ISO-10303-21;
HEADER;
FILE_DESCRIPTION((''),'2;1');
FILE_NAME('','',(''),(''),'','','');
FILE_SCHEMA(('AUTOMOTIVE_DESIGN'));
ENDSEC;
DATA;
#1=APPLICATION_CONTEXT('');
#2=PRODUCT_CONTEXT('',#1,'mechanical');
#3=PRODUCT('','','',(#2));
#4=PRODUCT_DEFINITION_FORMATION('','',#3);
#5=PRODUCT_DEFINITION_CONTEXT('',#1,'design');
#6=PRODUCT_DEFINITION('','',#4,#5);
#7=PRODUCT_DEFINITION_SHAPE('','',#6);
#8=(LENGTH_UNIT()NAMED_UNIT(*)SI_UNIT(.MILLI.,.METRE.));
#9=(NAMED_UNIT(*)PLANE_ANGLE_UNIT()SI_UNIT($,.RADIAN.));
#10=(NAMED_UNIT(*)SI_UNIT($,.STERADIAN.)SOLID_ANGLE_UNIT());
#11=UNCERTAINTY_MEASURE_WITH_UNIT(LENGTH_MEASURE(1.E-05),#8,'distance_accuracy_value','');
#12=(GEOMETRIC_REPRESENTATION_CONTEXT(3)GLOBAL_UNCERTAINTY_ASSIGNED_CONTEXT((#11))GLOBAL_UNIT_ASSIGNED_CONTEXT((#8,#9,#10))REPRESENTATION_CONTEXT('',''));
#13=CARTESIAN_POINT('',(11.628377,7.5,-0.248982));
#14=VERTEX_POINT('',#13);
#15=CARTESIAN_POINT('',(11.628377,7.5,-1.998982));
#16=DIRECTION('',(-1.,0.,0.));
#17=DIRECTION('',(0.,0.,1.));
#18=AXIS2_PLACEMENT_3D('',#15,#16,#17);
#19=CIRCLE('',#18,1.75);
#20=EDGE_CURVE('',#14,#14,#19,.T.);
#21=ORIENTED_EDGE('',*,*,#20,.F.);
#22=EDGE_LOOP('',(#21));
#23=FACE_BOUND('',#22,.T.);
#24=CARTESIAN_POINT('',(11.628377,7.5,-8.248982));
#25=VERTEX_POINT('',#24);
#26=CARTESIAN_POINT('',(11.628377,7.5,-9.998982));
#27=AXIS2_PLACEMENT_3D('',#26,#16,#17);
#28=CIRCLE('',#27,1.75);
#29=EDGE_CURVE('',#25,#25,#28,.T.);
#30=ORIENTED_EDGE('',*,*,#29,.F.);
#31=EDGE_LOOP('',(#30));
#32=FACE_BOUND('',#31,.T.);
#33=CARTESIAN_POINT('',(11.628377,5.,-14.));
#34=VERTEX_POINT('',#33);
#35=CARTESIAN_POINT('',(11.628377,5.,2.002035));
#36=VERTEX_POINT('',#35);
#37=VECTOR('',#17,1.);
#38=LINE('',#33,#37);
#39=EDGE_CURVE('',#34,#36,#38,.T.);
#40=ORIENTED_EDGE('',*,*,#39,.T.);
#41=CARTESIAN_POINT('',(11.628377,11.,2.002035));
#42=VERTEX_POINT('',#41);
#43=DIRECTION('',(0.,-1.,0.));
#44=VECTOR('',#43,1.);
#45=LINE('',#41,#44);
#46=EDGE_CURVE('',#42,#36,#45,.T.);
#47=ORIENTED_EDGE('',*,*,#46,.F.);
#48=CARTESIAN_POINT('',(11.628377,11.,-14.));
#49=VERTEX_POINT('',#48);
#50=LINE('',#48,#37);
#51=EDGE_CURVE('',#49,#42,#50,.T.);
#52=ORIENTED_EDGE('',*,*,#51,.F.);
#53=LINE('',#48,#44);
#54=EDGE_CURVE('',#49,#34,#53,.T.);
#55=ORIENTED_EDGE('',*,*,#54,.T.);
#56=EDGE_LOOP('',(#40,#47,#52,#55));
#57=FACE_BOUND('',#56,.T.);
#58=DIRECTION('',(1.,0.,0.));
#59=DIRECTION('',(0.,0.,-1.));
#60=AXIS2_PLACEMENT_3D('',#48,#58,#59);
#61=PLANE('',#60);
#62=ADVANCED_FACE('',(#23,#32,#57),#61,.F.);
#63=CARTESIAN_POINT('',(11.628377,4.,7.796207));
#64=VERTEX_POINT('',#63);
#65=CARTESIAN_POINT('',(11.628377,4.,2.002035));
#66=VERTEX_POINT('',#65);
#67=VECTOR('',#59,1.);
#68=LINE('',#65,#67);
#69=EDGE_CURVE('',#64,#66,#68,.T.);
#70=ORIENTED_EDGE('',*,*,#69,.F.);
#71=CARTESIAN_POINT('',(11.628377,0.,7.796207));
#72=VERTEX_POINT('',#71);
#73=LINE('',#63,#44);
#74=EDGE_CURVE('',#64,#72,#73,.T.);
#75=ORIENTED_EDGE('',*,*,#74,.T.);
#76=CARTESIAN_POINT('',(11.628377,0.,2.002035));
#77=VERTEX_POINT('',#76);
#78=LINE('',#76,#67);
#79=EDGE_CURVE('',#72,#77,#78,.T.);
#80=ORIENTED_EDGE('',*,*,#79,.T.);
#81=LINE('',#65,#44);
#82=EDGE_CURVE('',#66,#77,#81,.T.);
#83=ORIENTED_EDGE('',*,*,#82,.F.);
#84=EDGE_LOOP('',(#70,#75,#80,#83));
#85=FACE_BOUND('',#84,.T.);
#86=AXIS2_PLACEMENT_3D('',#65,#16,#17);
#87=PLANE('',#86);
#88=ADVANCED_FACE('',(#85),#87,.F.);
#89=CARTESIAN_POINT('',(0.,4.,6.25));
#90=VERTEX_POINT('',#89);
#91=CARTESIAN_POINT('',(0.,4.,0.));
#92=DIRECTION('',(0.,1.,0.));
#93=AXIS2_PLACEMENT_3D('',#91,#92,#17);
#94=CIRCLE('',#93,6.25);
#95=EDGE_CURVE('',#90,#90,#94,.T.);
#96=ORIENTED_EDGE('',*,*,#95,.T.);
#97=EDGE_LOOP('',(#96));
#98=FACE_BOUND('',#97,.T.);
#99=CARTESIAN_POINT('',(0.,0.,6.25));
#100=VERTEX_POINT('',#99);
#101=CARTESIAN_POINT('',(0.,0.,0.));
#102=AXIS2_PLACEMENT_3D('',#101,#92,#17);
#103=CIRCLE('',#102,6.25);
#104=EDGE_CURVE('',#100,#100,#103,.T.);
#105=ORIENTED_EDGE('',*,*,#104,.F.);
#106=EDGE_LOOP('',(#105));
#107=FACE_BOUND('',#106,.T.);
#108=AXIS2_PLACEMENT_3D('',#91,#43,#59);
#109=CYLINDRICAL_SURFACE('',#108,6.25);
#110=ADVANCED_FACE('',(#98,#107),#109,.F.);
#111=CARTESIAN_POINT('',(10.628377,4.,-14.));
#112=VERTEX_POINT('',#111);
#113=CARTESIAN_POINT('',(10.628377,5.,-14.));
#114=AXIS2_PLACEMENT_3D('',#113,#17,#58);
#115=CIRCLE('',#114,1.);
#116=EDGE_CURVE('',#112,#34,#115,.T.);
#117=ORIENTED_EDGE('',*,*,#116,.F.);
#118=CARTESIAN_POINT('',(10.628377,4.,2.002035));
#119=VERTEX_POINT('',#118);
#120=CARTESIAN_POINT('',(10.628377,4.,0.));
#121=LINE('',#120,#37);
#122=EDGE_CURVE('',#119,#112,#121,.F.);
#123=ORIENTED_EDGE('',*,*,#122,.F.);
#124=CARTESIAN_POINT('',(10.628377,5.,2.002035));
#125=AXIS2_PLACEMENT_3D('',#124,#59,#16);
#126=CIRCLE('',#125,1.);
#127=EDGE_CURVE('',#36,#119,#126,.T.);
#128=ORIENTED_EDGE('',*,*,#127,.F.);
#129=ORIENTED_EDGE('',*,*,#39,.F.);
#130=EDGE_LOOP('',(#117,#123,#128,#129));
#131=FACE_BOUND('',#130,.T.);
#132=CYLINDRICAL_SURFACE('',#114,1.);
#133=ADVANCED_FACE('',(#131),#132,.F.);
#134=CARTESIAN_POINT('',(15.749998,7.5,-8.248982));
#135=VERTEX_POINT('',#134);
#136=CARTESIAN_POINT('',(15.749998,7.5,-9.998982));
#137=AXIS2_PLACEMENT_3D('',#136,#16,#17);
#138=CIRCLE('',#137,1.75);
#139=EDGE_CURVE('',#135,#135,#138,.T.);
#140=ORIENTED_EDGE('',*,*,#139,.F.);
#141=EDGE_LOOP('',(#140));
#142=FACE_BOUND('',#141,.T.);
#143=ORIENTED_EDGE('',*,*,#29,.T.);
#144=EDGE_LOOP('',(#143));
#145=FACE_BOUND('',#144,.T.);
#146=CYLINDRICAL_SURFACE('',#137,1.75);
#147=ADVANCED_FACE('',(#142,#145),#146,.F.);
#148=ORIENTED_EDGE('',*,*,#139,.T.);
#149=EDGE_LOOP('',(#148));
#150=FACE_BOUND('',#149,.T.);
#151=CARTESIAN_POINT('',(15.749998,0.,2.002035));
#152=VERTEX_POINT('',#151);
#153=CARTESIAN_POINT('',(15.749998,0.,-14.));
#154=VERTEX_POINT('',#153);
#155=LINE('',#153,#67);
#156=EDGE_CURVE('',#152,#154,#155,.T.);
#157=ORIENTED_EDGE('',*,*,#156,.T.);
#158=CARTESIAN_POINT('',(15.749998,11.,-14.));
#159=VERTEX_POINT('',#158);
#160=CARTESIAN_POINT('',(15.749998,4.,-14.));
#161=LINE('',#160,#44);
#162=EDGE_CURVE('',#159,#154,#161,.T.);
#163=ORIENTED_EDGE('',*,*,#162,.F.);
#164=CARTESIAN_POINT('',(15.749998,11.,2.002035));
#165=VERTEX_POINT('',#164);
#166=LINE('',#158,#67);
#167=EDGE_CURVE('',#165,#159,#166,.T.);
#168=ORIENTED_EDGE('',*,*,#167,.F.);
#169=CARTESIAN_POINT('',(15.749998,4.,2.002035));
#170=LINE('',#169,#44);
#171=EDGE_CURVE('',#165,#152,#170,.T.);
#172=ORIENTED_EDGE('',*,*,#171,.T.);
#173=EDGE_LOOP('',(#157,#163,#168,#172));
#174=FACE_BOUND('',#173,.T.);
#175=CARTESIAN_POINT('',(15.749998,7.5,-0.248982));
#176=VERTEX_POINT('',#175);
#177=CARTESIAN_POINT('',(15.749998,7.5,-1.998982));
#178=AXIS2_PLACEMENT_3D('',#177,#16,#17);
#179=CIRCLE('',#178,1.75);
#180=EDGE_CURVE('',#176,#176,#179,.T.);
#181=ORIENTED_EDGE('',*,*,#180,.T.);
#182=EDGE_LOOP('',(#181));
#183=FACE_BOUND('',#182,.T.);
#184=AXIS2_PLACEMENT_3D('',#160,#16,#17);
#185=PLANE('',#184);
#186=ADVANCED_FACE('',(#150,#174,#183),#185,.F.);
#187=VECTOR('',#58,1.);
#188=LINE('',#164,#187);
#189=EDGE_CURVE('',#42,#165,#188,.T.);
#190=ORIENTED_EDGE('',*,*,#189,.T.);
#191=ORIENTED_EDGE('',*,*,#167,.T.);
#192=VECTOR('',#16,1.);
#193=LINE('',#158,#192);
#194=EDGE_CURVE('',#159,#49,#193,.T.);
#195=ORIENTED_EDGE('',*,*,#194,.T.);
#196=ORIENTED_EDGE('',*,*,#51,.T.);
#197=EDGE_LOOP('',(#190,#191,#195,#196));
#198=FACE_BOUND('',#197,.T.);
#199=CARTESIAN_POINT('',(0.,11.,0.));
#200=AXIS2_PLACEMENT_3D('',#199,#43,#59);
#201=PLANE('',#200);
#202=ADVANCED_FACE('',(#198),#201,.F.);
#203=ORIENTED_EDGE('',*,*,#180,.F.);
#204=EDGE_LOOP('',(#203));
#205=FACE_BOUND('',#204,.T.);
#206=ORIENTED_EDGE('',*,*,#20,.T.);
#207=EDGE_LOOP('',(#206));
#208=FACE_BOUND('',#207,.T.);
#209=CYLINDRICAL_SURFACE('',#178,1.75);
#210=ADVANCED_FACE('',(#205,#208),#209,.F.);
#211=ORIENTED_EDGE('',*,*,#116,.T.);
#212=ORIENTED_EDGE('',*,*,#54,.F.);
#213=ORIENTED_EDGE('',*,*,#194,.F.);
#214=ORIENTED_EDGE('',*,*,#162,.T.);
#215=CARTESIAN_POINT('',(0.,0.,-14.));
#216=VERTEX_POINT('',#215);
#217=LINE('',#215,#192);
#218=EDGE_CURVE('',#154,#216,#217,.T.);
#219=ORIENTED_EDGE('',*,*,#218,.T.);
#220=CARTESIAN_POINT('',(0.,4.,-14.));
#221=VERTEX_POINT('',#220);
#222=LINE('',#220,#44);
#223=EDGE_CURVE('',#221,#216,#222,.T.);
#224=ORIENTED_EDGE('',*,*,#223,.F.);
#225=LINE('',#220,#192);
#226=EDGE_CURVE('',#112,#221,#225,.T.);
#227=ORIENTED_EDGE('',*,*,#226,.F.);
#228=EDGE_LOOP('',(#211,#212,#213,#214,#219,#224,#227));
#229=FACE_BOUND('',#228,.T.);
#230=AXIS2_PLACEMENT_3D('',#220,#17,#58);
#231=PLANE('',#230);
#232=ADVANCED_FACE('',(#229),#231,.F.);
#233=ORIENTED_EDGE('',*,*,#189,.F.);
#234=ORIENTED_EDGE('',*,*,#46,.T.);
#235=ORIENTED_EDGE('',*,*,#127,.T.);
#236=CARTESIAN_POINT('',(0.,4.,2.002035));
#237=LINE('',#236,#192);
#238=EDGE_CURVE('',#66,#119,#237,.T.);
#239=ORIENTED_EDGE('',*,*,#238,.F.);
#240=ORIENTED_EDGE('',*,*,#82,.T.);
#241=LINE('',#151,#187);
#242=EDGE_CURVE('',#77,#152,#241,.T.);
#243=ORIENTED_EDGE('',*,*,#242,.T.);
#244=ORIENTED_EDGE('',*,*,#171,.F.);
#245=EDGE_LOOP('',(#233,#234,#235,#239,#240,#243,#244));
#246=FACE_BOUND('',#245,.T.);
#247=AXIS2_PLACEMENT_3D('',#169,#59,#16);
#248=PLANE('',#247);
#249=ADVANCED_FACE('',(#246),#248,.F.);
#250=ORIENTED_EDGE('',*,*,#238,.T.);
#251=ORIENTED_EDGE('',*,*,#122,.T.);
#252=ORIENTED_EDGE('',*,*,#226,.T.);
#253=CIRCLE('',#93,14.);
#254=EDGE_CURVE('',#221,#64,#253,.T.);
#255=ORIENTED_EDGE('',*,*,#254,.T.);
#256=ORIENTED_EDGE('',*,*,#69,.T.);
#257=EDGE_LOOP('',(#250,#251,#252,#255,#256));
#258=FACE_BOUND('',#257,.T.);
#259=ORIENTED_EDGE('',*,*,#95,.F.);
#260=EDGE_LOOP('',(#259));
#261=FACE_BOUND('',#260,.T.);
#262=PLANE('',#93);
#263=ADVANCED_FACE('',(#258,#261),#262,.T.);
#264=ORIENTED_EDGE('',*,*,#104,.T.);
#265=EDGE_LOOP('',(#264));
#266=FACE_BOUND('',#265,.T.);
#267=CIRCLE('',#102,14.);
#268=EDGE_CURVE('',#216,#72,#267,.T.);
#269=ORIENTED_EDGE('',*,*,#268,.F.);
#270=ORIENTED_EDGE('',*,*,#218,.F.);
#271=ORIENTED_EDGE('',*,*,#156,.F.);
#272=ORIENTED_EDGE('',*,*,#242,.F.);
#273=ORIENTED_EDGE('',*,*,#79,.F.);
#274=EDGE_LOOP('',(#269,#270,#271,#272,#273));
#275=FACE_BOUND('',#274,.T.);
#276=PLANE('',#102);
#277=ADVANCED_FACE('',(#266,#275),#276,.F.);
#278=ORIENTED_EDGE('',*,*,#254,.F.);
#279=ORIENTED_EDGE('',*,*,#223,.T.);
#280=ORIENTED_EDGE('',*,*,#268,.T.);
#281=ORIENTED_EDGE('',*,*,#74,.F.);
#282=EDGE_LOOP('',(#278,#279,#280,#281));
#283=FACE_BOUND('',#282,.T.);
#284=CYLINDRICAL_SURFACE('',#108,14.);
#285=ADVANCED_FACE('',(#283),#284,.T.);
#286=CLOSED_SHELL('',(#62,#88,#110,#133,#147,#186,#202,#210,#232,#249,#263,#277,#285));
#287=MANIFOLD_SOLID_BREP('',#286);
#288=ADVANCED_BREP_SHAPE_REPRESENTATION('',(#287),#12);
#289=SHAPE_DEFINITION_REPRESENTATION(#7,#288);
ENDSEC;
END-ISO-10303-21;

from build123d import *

# Parameters (mm, degrees)
SKETCH1_R           = 6.25
BOSS_EXTRUDE1_DEPTH = 4
SKETCH2_W           = 4.12162106
SKETCH2_H           = 16.002035265
BOSS_EXTRUDE2_DEPTH = 7
SKETCH3_R           = 1.75
CUT_EXTRUDE1_DEPTH  = 32.205988509
FILLET2_R           = 1


with BuildPart() as part:
    # Sketch1 → Boss-Extrude1 (new body)
    with BuildSketch(Plane(origin=(0, 0, 0), x_dir=(1, 0, 0), z_dir=(0, 1, 0))):
        with BuildLine():
            Line((0, 14), (15.749998278, 14))
            Line((15.749998278, 14), (15.749998278, -2.002035265))
            Line((15.749998278, -2.002035265), (11.628377218, -2.002035265))
            Line((11.628377218, -2.002035265), (11.628377218, -7.79620698))
            ThreePointArc((11.628377218, -7.79620698), (-12.352062535, -6.589882483), (0, 14))
        make_face()
        with Locations(Location((0, 0, 0), (0, 0, 270))):
            Circle(SKETCH1_R, mode=Mode.SUBTRACT)
    extrude(amount=BOSS_EXTRUDE1_DEPTH)

    # Sketch2 → Boss-Extrude2 (add)
    with BuildSketch(Plane(origin=(0, 4, 0), x_dir=(1, 0, 0), z_dir=(0, 1, 0))):
        with Locations((13.689187748, 5.998982368)):
            Rectangle(SKETCH2_W, SKETCH2_H)
    extrude(amount=BOSS_EXTRUDE2_DEPTH)

    # Sketch3 → Cut-Extrude1 (cut, through all)
    with BuildSketch(Plane.ZY.offset(-11.628377218)):
        with Locations((-1.998982368, 7.5)):
            Circle(SKETCH3_R)
        with Locations((-9.998982368, 7.5)):
            Circle(SKETCH3_R)
    extrude(amount=-CUT_EXTRUDE1_DEPTH, mode=Mode.SUBTRACT)

    # Fillet2
    fillet2_edges = [part.edges().sort_by_distance(p)[0] for p in [
        (11.628377218, 4, -5.998982368),
    ]]
    fillet(fillet2_edges, radius=FILLET2_R)


solid = part.part
